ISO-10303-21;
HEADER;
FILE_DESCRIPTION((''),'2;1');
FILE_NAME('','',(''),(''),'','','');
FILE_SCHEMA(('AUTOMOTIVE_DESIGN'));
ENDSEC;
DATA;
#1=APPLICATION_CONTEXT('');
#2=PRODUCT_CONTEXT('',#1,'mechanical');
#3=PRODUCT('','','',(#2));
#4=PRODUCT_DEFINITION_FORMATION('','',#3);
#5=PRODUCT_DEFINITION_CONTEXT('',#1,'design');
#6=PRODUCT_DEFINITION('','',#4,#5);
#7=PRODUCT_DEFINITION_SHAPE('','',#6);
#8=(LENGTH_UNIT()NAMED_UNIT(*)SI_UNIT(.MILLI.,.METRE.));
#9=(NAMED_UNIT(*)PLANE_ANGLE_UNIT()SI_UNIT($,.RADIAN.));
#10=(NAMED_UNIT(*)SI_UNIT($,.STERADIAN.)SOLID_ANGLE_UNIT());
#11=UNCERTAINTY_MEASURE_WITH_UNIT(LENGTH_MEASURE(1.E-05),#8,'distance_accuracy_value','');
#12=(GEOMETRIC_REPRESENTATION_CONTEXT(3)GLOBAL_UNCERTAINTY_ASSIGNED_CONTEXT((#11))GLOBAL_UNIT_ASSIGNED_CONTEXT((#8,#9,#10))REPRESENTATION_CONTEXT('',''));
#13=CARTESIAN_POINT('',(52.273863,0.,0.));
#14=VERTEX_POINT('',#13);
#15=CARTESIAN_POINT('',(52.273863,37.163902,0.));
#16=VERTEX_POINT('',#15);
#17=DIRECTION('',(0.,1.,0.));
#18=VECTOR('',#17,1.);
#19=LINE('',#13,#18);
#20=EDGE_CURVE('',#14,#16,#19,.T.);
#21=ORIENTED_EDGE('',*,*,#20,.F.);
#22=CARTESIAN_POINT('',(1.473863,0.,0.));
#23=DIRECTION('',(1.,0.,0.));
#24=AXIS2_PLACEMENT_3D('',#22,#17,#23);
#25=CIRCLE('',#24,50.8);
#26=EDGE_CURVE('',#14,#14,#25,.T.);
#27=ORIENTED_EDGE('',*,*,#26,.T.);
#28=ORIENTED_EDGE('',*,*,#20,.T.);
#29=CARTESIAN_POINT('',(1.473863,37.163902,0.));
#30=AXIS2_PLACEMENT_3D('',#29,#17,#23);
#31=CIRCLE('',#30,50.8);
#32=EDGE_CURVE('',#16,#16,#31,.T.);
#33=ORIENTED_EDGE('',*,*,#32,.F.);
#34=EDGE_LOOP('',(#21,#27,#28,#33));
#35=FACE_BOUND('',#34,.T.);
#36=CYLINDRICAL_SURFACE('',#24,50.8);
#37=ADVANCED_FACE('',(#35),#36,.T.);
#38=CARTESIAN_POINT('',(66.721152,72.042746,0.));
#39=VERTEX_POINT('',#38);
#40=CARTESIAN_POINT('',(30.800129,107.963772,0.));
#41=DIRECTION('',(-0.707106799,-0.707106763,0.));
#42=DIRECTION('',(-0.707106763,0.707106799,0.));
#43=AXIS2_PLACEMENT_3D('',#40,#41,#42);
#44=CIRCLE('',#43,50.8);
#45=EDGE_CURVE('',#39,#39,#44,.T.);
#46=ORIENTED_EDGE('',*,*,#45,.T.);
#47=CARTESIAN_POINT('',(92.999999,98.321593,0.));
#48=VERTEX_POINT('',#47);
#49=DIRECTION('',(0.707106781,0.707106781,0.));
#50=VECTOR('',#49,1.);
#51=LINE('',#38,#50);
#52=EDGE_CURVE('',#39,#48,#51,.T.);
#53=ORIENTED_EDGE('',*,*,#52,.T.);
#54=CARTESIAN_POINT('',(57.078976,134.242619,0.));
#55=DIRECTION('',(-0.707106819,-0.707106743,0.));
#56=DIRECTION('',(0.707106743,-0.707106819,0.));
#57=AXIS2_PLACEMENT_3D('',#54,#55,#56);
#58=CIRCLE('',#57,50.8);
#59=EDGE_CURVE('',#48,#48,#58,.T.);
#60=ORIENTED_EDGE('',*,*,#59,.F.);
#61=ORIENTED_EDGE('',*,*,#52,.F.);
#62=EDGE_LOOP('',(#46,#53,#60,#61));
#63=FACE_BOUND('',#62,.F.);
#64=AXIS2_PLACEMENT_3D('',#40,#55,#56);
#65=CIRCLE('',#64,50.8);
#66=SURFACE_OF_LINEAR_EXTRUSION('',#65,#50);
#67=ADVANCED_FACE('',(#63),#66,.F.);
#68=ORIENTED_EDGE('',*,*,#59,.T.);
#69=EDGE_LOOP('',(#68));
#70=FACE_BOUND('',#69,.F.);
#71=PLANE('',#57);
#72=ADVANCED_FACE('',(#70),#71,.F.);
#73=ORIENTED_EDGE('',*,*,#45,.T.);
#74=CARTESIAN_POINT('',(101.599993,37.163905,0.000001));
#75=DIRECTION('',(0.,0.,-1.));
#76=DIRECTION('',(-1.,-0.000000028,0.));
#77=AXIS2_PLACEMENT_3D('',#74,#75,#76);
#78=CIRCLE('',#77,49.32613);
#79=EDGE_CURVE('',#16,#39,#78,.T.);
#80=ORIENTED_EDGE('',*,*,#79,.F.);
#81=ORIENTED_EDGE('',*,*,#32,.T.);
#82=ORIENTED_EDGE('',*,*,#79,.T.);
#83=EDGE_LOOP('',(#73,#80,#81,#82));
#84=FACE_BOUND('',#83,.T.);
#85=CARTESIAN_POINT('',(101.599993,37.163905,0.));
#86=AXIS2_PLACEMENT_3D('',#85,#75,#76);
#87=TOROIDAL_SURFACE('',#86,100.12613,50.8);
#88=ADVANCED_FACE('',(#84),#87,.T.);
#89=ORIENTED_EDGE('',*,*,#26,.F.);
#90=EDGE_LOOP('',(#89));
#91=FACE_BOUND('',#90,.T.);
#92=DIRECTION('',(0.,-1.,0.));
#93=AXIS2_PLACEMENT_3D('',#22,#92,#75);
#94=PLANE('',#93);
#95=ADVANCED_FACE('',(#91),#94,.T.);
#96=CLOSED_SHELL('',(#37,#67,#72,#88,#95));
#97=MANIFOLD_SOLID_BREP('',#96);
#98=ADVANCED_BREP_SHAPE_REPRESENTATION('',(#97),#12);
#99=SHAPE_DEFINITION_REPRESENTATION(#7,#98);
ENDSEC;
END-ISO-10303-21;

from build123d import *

# Parameters (mm, degrees)
F0_R = 50.8


with BuildPart() as f2:
    # F2: sweep along a path in F1
    with BuildLine(Plane.XY) as f2_path:
        Line((0, 0), (0, 37.163902))
        ThreePointArc((0, 37.163902), (7.733839, 76.044539), (29.757951, 109.005951))
        Line((29.757951, 109.005951), (56.036798, 135.284798))
    # F0 (on Front) → F2 (sweep)
    with BuildSketch(Plane.XZ):
        with Locations((1.473863, 0)):
            Circle(F0_R)
    sweep(path=f2_path.line)


solid = f2.part
